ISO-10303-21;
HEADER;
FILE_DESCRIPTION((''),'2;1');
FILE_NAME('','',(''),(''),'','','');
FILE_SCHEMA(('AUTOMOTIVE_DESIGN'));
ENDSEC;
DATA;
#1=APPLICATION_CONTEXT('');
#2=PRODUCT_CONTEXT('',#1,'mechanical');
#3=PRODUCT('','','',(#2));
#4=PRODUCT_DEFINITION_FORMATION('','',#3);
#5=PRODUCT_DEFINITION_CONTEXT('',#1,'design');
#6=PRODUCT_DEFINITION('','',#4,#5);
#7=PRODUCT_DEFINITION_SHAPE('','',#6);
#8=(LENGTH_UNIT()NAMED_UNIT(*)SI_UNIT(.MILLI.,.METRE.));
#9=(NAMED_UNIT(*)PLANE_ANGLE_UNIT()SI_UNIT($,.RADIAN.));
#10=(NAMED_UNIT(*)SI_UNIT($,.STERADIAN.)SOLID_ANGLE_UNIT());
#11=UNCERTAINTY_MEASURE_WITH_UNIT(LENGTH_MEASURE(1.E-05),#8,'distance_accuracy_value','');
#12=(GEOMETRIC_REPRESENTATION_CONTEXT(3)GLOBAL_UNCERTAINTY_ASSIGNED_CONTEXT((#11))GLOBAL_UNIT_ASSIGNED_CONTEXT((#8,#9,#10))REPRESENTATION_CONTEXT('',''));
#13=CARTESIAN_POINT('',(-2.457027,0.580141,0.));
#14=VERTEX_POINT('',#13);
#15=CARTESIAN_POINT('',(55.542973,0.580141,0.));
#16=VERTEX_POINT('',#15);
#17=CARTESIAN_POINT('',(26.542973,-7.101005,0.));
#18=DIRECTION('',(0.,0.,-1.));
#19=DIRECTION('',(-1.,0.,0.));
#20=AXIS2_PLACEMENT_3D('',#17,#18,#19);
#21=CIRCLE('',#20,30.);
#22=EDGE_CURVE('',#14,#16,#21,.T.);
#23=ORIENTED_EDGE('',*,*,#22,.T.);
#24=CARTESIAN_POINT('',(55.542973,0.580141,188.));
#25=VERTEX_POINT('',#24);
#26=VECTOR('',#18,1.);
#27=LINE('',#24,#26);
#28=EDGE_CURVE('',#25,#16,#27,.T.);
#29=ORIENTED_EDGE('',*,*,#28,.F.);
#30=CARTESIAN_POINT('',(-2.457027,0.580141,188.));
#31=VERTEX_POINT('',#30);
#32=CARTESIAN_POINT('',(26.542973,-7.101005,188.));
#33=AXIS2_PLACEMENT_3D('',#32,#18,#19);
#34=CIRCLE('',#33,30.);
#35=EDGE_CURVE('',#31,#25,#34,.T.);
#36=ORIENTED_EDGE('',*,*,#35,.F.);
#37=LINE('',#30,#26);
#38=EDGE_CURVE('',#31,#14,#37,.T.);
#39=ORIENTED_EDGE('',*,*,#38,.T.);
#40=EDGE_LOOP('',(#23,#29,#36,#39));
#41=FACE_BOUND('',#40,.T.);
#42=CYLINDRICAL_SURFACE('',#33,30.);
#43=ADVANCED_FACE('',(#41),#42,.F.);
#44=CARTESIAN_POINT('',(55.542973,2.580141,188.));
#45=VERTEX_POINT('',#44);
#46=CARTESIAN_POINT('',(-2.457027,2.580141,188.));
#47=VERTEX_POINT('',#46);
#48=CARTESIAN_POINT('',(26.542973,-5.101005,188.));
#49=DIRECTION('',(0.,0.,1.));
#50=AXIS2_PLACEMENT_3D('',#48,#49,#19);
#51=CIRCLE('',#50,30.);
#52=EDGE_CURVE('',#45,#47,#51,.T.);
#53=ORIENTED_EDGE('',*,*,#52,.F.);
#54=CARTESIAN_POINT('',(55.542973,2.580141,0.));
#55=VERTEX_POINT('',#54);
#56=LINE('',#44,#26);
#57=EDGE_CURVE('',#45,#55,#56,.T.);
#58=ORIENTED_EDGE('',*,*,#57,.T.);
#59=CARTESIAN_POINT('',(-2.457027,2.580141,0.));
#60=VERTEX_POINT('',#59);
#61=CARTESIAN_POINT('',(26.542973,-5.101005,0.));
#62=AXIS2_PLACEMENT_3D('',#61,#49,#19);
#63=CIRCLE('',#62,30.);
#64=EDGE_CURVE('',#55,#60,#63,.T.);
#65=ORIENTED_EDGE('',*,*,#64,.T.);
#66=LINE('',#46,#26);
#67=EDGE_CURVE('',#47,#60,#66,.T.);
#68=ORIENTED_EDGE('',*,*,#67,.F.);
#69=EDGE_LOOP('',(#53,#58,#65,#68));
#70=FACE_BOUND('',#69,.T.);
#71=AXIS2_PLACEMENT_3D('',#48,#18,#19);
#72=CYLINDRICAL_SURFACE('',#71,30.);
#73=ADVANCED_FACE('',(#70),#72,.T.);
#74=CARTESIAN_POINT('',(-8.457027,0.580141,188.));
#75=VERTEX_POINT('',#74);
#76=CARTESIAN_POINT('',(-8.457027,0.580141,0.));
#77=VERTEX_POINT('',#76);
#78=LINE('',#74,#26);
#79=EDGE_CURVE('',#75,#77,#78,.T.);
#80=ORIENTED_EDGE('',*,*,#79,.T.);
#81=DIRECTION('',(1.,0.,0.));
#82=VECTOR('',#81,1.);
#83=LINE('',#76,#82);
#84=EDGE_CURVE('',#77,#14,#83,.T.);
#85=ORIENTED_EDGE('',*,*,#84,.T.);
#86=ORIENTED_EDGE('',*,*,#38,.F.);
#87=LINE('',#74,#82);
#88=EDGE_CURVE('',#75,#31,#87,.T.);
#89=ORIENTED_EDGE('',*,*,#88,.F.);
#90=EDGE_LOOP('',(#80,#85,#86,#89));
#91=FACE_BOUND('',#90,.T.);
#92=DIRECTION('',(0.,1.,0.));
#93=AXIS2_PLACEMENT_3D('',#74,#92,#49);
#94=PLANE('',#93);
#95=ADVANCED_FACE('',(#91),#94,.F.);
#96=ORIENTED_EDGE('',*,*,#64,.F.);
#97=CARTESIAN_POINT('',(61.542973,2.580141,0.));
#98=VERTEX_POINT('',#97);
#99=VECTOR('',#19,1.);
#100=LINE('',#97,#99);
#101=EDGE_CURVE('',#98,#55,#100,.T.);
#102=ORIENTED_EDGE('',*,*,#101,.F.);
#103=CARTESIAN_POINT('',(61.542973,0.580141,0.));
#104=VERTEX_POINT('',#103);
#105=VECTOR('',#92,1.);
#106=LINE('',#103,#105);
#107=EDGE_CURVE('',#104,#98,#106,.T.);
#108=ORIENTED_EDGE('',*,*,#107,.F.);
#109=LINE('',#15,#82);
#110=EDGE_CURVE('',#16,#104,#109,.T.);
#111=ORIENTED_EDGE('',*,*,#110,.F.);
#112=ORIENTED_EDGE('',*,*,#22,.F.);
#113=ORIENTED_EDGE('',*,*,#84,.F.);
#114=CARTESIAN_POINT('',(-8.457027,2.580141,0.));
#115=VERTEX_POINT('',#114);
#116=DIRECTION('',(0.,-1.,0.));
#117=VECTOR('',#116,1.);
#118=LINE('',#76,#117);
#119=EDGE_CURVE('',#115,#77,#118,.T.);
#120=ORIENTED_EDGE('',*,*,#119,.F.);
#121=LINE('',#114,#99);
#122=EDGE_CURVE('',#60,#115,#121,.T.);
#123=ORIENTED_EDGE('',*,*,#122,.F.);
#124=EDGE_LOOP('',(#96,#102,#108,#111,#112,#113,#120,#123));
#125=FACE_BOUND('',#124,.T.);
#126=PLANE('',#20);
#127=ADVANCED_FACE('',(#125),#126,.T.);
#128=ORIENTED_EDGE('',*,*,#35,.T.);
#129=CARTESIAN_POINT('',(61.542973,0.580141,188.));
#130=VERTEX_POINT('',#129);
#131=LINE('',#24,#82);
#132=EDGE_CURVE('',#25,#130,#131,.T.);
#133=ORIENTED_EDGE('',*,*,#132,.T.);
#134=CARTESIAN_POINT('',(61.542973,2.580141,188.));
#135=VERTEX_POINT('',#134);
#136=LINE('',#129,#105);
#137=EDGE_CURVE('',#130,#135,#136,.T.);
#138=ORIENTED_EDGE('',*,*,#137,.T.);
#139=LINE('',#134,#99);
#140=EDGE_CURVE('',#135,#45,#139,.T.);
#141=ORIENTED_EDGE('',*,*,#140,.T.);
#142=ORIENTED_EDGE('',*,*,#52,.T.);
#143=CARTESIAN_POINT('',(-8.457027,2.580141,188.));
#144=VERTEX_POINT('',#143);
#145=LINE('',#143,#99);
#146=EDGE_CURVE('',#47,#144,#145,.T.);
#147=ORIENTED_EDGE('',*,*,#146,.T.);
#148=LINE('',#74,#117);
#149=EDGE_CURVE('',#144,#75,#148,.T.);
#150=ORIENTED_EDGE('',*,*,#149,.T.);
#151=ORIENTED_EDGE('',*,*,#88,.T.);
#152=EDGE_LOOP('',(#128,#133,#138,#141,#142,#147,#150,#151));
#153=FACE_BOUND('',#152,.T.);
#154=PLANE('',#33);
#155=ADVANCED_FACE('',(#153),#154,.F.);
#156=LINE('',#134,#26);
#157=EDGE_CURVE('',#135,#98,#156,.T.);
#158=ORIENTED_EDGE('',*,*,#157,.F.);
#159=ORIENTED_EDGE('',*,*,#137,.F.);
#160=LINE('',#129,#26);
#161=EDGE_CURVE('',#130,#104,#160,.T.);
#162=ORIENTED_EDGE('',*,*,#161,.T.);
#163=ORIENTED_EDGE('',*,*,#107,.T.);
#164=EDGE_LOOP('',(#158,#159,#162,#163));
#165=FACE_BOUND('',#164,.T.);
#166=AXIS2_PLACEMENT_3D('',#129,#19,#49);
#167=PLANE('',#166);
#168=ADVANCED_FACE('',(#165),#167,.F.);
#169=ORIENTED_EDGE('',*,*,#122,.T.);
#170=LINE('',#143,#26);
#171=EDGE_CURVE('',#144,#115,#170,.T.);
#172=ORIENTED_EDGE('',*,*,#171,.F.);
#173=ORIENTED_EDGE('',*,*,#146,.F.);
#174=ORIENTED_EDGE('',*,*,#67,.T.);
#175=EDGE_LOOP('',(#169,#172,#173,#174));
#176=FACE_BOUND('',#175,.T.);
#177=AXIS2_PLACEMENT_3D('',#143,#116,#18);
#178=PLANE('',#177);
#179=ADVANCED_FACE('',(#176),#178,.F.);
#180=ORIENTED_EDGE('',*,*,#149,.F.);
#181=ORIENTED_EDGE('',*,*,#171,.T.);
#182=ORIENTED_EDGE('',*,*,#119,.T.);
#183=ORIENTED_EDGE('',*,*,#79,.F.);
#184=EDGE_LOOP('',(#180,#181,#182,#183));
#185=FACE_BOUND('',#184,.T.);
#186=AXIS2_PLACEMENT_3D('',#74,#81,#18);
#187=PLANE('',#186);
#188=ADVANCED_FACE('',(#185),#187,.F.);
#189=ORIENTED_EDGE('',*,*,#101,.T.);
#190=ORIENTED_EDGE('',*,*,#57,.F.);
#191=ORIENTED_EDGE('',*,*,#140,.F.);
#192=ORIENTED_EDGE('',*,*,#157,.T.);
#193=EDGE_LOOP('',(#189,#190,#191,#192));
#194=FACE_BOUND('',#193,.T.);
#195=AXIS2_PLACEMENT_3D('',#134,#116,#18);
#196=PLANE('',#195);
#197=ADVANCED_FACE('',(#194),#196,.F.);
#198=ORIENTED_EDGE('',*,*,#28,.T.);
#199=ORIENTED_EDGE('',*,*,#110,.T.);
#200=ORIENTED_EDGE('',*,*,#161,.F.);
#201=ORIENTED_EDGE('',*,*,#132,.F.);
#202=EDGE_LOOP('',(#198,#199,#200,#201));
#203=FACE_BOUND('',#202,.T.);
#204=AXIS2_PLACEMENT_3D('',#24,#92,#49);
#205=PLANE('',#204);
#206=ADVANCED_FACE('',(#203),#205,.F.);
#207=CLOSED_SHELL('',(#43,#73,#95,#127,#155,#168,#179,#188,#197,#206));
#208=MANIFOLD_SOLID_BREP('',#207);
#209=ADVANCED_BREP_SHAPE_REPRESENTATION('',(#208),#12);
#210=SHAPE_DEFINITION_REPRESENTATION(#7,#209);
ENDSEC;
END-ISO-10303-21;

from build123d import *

# Parameters (mm, degrees)
BOSS_EXTRUDE1_DEPTH = 188


with BuildPart() as part:
    # Sketch1 → Boss-Extrude1 (new body)
    with BuildSketch(Plane.XY):
        with BuildLine():
            Line((-8.457027027, 0.580140625), (-8.457027027, 2.580140625))
            Line((-8.457027027, 2.580140625), (-2.457027027, 2.580140625))
            ThreePointArc((-2.457027027, 2.580140625), (26.542972973, 24.898994877), (55.542972973, 2.580140625))
            Line((55.542972973, 2.580140625), (61.542972973, 2.580140625))
            Line((61.542972973, 2.580140625), (61.542972973, 0.580140625))
            Line((61.542972973, 0.580140625), (55.542972973, 0.580140625))
            ThreePointArc((55.542972973, 0.580140625), (26.542972973, 22.898994877), (-2.457027027, 0.580140625))
            Line((-2.457027027, 0.580140625), (-8.457027027, 0.580140625))
        make_face()
    extrude(amount=BOSS_EXTRUDE1_DEPTH)


solid = part.part
